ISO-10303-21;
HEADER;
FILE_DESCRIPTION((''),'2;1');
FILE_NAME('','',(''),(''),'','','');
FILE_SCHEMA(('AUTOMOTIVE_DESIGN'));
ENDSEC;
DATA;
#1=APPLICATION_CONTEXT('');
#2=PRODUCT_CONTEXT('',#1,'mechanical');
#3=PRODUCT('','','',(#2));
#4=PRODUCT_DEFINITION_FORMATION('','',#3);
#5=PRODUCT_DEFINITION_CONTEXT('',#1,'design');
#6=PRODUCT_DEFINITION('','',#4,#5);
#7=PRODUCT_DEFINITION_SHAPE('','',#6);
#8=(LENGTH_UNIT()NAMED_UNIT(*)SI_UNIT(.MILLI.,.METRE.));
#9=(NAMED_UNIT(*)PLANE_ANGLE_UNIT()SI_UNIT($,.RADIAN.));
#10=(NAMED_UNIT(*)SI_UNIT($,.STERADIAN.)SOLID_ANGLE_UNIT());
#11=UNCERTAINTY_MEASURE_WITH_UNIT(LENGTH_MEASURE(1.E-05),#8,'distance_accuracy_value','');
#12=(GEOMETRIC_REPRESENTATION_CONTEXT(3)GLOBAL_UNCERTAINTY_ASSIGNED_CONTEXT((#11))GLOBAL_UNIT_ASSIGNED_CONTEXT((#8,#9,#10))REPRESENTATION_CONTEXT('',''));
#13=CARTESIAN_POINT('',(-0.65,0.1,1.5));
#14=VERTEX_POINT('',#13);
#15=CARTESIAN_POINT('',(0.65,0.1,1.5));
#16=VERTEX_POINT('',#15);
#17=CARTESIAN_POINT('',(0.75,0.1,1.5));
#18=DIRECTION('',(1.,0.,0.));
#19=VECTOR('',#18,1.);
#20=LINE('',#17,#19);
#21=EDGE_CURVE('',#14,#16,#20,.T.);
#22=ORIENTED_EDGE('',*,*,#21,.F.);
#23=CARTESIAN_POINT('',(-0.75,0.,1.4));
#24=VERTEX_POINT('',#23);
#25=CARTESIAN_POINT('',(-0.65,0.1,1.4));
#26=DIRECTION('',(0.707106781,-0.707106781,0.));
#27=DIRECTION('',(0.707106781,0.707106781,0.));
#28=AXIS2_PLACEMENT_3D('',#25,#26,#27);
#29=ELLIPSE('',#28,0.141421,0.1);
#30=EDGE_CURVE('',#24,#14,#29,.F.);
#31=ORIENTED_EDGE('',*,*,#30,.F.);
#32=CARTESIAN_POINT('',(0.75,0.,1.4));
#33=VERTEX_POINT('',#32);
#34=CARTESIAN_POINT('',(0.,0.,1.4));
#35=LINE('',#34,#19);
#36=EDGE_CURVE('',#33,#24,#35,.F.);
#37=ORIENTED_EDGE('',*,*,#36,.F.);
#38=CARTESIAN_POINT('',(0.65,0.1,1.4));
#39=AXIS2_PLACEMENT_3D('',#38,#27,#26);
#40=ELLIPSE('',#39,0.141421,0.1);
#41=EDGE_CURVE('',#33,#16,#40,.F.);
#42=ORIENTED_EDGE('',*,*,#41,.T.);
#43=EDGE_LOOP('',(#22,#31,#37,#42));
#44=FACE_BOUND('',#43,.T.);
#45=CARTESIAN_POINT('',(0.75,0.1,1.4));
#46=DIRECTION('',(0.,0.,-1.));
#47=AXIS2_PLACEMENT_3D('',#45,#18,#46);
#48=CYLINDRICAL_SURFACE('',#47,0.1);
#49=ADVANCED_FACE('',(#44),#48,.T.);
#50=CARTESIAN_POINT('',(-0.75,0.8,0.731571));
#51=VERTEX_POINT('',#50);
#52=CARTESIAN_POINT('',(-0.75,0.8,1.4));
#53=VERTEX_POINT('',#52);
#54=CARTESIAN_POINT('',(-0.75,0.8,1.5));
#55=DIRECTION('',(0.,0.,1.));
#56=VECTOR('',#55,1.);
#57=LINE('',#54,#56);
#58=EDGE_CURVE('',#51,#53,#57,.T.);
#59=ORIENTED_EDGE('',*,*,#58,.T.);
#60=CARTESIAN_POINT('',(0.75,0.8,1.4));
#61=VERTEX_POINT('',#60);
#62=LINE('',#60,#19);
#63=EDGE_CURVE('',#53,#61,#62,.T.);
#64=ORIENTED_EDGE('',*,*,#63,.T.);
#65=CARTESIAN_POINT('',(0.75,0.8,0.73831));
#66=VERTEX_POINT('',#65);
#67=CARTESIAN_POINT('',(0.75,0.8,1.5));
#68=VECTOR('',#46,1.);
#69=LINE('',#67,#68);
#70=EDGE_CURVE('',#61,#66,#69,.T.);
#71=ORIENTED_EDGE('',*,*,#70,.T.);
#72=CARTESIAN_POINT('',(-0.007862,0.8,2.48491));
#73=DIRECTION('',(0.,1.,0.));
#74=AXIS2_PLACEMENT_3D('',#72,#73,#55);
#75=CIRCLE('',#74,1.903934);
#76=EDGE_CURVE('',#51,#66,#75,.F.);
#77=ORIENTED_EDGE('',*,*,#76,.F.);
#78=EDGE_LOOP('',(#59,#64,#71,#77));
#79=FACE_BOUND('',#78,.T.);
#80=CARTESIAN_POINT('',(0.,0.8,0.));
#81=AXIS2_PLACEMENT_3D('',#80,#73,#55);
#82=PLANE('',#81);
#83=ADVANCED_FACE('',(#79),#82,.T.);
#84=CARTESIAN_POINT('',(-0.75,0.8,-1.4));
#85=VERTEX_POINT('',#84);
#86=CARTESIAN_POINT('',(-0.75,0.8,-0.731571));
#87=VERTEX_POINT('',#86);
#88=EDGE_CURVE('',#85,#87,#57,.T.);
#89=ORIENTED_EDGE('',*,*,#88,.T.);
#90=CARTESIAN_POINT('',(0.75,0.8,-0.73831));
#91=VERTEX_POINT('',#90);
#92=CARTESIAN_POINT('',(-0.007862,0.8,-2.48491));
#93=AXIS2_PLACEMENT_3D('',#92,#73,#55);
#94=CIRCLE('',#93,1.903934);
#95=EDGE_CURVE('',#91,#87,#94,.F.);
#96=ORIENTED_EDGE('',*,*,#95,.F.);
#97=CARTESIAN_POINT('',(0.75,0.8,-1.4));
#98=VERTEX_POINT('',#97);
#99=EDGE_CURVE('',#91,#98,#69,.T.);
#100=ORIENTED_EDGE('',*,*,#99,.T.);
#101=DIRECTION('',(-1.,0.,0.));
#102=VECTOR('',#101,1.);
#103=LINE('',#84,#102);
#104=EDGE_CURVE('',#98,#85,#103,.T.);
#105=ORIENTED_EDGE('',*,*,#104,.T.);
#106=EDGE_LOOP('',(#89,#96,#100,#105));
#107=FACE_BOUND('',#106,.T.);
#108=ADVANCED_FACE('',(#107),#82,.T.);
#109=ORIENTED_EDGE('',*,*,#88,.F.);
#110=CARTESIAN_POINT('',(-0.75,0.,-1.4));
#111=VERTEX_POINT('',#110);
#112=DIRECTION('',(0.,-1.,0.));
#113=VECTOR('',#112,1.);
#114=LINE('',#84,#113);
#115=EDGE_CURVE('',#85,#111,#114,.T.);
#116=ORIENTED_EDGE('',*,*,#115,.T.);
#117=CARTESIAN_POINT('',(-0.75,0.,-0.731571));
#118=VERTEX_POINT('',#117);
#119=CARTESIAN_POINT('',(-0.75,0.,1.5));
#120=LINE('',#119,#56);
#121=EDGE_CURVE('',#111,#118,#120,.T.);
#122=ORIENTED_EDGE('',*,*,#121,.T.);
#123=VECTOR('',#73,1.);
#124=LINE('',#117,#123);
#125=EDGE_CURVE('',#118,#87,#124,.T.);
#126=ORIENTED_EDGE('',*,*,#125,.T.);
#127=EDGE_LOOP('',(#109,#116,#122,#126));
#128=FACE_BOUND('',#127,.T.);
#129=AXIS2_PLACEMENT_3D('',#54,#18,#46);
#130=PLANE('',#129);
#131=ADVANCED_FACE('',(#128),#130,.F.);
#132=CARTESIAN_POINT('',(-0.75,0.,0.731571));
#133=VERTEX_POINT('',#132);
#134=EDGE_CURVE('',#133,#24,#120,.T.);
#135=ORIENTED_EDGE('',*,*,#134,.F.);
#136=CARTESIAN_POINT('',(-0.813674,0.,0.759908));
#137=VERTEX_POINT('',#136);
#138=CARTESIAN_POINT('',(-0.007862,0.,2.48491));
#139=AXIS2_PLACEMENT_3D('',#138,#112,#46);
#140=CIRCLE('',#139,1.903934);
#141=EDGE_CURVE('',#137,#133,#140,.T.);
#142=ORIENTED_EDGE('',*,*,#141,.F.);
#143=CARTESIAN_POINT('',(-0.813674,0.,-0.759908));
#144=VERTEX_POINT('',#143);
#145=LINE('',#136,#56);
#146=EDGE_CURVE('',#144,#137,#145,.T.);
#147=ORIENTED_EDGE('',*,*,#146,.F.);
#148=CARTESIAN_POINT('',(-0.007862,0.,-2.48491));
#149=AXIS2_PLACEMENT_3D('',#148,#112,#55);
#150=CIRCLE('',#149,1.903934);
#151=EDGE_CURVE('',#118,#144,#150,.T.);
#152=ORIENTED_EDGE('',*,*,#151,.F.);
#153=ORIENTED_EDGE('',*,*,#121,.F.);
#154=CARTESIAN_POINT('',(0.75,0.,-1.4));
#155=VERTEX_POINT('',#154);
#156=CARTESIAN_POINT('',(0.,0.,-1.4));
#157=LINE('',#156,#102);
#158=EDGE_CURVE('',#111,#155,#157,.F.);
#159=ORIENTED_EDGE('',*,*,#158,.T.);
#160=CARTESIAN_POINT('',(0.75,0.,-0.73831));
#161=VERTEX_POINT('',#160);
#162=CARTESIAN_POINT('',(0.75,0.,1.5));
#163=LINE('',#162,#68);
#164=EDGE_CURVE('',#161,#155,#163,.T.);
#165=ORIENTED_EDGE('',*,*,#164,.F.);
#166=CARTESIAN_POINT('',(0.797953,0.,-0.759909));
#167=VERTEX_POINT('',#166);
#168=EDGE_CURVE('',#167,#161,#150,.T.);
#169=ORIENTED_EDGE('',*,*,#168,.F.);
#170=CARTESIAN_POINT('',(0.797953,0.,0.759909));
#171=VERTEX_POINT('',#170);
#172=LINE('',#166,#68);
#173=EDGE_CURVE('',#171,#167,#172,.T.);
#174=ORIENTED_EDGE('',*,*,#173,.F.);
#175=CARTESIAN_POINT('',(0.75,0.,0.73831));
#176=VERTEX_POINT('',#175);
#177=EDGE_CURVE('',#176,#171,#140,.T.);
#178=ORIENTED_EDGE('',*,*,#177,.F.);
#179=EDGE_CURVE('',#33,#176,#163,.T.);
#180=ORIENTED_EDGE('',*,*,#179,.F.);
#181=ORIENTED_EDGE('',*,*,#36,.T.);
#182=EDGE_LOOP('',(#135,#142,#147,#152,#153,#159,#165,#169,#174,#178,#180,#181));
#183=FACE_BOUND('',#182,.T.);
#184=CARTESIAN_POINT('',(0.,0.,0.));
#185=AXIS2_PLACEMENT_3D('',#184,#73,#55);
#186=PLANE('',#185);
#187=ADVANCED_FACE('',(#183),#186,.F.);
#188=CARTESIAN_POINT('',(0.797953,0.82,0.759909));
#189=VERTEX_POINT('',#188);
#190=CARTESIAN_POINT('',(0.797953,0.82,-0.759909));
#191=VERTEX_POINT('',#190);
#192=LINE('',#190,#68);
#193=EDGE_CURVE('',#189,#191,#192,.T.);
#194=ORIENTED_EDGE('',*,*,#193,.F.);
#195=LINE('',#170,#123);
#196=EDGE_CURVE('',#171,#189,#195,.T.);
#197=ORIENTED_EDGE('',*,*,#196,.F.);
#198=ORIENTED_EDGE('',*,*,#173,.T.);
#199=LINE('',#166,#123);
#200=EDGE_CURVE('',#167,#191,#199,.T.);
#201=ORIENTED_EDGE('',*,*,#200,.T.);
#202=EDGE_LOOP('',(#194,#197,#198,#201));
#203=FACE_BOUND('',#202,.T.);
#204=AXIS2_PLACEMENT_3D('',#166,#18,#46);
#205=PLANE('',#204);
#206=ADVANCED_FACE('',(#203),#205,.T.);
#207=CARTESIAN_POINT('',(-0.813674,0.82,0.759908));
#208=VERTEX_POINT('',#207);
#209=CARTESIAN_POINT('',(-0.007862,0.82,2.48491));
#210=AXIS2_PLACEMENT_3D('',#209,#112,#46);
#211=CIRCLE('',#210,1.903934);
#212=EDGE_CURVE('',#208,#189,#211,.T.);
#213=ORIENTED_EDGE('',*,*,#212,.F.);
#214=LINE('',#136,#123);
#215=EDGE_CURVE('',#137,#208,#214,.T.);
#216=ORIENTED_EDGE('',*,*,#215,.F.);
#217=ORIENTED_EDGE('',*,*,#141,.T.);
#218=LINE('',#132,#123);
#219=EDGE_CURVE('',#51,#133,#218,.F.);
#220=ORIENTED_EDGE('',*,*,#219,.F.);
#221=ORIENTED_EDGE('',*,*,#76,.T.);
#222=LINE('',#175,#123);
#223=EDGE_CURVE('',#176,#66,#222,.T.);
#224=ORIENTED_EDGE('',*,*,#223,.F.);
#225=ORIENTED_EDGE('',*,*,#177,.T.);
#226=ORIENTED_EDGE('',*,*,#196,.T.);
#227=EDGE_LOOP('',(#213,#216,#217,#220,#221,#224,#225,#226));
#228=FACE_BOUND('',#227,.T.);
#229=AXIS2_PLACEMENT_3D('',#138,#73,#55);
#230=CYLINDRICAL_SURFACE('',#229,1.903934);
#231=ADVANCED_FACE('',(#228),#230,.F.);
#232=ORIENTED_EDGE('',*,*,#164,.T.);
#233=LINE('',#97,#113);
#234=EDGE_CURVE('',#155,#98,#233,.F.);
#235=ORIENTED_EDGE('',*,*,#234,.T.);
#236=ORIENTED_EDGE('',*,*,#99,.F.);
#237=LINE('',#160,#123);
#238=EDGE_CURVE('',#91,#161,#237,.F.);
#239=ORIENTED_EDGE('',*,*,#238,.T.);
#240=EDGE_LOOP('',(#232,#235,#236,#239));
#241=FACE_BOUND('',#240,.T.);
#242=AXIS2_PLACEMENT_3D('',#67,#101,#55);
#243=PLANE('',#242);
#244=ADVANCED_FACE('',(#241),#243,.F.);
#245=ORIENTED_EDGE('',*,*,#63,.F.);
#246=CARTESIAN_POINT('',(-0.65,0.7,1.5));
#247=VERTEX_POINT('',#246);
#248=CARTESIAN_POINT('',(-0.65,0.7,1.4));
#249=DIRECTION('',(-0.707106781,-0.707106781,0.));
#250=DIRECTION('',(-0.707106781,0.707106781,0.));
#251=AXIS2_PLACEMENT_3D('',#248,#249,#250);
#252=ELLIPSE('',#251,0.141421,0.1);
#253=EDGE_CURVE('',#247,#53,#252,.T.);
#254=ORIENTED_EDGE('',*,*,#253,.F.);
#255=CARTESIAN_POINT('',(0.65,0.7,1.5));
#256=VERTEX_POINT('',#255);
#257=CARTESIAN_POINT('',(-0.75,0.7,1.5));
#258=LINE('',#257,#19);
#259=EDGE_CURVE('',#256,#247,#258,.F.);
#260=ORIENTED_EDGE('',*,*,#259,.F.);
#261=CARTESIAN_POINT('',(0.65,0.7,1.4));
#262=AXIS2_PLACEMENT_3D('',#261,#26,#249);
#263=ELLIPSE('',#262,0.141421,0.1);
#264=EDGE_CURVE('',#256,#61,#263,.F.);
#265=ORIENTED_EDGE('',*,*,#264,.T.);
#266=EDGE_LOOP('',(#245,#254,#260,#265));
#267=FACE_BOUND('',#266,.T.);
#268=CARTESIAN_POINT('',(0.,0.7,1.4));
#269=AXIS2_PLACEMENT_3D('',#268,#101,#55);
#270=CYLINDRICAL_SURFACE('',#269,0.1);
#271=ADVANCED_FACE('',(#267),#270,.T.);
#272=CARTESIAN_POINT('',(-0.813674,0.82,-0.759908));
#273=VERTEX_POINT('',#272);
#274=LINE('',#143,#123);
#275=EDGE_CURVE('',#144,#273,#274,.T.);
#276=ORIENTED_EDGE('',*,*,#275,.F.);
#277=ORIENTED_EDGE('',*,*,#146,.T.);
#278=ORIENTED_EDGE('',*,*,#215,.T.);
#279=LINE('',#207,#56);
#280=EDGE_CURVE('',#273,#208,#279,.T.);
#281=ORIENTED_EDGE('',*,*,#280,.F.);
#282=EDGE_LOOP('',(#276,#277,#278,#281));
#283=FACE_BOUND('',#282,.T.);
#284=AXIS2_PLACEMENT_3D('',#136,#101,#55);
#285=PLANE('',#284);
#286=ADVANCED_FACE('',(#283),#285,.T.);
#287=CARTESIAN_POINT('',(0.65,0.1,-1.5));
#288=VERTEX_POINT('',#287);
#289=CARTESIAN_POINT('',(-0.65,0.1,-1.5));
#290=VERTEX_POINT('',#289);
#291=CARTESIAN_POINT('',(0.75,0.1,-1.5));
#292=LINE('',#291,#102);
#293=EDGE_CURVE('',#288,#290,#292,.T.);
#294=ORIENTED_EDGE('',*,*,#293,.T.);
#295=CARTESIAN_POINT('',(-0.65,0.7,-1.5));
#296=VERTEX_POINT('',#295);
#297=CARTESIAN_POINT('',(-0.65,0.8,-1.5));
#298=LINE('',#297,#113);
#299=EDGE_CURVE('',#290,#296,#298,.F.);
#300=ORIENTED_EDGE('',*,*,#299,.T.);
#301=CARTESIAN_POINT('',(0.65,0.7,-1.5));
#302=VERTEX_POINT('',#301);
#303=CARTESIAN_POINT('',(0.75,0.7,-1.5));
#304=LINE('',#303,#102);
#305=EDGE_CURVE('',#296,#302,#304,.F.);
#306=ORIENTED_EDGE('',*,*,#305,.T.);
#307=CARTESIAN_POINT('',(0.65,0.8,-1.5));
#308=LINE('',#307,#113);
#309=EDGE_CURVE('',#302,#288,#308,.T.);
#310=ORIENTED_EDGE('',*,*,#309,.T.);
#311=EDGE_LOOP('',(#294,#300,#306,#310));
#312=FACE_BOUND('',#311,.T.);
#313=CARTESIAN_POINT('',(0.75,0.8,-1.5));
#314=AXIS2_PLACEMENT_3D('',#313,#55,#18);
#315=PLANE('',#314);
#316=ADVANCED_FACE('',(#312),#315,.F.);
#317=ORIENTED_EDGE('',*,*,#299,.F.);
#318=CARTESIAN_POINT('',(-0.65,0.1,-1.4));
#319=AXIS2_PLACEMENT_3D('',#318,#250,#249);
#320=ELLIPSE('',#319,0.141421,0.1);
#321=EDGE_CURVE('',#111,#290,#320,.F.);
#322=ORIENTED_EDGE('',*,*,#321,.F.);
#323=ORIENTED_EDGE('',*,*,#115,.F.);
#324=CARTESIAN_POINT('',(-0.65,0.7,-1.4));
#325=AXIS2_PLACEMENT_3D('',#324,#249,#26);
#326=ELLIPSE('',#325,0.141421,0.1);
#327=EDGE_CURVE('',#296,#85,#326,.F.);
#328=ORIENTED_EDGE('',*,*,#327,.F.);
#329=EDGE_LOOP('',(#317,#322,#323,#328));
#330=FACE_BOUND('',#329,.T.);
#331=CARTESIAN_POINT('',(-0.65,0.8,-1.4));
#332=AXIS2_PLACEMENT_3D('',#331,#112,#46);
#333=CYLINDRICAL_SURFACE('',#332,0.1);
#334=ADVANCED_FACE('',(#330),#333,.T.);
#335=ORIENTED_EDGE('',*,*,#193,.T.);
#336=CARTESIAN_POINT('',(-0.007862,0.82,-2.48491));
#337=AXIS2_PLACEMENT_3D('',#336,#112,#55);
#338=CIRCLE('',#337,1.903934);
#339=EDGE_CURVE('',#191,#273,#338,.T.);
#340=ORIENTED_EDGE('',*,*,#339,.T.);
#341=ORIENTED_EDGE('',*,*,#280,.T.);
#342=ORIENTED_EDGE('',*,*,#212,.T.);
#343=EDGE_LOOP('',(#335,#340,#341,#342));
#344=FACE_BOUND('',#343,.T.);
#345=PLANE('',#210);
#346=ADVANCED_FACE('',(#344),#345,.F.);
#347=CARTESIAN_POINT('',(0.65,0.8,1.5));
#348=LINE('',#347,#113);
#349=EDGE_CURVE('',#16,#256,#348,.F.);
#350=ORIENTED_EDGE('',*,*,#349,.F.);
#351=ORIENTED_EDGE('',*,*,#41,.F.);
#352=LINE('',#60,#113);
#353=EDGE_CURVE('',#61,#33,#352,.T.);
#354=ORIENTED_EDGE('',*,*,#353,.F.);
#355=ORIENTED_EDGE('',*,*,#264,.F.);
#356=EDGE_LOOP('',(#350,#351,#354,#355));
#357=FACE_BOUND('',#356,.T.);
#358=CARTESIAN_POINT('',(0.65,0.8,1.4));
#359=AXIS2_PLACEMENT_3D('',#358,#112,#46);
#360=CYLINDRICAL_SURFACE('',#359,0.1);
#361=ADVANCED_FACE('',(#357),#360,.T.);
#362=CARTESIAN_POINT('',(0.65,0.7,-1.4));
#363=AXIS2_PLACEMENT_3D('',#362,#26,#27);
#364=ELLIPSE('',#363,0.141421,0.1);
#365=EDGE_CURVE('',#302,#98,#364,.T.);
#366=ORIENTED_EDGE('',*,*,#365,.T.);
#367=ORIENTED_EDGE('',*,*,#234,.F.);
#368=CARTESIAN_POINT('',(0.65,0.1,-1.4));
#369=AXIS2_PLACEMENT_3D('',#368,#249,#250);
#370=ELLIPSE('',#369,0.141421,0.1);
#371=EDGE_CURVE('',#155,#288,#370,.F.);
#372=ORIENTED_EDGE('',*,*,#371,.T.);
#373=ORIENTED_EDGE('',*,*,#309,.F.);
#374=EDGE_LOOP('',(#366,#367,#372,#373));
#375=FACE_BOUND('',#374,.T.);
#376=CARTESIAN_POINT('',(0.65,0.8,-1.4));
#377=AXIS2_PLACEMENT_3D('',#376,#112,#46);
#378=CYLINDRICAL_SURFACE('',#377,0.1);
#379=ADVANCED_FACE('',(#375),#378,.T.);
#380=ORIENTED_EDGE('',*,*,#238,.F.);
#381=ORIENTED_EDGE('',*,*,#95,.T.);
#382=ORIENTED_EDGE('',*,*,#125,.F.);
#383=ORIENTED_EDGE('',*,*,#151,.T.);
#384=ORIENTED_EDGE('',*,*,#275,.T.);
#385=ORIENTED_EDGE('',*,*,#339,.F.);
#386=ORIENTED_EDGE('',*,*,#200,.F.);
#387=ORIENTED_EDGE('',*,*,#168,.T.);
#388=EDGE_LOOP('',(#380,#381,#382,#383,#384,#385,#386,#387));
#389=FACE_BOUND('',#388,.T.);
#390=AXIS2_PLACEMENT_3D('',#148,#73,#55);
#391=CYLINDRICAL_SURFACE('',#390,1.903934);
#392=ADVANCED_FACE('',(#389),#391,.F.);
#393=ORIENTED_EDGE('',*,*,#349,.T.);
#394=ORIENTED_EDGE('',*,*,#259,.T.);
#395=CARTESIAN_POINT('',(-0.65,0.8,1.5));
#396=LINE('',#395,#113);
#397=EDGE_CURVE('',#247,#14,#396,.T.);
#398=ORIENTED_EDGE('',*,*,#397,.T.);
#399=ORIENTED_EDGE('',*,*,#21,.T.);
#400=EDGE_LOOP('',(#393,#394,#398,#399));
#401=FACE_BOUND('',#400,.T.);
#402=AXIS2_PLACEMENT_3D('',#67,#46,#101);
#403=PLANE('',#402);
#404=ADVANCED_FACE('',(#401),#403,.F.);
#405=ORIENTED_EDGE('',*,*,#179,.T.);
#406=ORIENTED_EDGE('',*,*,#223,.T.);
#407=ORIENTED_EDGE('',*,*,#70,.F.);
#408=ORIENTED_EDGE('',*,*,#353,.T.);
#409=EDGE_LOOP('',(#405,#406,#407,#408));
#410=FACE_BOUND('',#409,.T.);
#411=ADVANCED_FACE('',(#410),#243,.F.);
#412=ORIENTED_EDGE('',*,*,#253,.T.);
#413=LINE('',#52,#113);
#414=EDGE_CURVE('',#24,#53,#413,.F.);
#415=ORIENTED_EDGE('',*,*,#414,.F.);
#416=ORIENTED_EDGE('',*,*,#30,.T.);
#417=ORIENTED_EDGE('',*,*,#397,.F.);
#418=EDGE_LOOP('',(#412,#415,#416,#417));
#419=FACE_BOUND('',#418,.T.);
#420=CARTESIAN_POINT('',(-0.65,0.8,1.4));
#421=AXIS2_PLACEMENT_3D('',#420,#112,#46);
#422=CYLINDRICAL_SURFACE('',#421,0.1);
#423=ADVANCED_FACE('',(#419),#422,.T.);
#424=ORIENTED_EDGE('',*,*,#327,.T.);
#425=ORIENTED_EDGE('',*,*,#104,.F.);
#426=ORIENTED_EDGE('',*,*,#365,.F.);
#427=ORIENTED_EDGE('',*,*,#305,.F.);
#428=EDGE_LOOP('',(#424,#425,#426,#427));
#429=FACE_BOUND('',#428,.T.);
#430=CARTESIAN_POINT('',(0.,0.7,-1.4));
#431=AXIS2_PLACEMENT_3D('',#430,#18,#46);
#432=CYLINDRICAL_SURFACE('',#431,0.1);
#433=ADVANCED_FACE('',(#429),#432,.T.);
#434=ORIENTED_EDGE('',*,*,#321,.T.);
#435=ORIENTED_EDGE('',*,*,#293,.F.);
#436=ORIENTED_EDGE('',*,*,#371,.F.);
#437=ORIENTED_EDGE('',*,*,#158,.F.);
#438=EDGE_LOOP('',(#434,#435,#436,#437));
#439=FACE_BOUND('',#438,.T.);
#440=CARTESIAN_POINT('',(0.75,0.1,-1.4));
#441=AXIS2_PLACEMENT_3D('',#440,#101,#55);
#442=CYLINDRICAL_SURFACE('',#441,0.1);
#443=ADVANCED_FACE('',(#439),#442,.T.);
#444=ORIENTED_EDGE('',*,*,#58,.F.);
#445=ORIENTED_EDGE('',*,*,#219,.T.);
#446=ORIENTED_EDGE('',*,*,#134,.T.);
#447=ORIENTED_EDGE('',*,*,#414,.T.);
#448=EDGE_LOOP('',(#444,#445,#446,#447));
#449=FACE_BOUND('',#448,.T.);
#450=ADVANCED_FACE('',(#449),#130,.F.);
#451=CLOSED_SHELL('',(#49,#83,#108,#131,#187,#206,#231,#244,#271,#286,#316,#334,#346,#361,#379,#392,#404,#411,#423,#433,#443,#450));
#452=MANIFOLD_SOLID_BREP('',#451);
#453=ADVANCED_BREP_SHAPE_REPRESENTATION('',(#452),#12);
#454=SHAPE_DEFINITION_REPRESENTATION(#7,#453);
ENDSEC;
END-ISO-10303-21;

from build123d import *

# Parameters (mm, degrees)
ESQUISSE1_W             = 1.5
ESQUISSE1_H             = 3
BOSS_EXTRU_1_DEPTH      = 0.8
CONG_1_R                = 0.1
BOSS_EXTRU_2_DEPTH      = 0.02
BOSS_EXTRU_2_DEPTH_BACK = 0.8


with BuildPart() as part:
    # Esquisse1 → Boss.-Extru.1 (new body)
    with BuildSketch(Plane(origin=(0, 0, 0), x_dir=(1, 0, 0), z_dir=(0, 1, 0))):
        Rectangle(ESQUISSE1_W, ESQUISSE1_H)
    extrude(amount=BOSS_EXTRU_1_DEPTH)

    # Congé1
    cong_1_edges = [part.edges().sort_by_distance(p)[0] for p in [
        (0, 0.8, -1.5),
        (0, 0, -1.5),
        (0, 0, 1.5),
        (0, 0.8, 1.5),
        (-0.75, 0.4, -1.5),
        (0.75, 0.4, -1.5),
        (0.75, 0.4, 1.5),
        (-0.75, 0.4, 1.5),
    ]]
    fillet(cong_1_edges, radius=CONG_1_R)

    # Esquisse2 → Boss.-Extru.2 (add, two sides)
    with BuildSketch(Plane(origin=(0, 0.8, 0), x_dir=(1, 0, 0), z_dir=(0, 1, 0))) as boss_extru_2_sk:
        with BuildLine():
            Line((-0.813673936, -0.759907702), (-0.813673936, 0.759907702))
            ThreePointArc((-0.813673936, 0.759907702), (-0.007860433, 0.580975839), (0.797952705, 0.759909342))
            Line((0.797952705, 0.759909342), (0.797952705, -0.759909342))
            ThreePointArc((0.797952705, -0.759909342), (-0.007860433, -0.580975839), (-0.813673936, -0.759907702))
        make_face()
    extrude(amount=BOSS_EXTRU_2_DEPTH)
    extrude(boss_extru_2_sk.sketch, amount=-BOSS_EXTRU_2_DEPTH_BACK)


solid = part.part
